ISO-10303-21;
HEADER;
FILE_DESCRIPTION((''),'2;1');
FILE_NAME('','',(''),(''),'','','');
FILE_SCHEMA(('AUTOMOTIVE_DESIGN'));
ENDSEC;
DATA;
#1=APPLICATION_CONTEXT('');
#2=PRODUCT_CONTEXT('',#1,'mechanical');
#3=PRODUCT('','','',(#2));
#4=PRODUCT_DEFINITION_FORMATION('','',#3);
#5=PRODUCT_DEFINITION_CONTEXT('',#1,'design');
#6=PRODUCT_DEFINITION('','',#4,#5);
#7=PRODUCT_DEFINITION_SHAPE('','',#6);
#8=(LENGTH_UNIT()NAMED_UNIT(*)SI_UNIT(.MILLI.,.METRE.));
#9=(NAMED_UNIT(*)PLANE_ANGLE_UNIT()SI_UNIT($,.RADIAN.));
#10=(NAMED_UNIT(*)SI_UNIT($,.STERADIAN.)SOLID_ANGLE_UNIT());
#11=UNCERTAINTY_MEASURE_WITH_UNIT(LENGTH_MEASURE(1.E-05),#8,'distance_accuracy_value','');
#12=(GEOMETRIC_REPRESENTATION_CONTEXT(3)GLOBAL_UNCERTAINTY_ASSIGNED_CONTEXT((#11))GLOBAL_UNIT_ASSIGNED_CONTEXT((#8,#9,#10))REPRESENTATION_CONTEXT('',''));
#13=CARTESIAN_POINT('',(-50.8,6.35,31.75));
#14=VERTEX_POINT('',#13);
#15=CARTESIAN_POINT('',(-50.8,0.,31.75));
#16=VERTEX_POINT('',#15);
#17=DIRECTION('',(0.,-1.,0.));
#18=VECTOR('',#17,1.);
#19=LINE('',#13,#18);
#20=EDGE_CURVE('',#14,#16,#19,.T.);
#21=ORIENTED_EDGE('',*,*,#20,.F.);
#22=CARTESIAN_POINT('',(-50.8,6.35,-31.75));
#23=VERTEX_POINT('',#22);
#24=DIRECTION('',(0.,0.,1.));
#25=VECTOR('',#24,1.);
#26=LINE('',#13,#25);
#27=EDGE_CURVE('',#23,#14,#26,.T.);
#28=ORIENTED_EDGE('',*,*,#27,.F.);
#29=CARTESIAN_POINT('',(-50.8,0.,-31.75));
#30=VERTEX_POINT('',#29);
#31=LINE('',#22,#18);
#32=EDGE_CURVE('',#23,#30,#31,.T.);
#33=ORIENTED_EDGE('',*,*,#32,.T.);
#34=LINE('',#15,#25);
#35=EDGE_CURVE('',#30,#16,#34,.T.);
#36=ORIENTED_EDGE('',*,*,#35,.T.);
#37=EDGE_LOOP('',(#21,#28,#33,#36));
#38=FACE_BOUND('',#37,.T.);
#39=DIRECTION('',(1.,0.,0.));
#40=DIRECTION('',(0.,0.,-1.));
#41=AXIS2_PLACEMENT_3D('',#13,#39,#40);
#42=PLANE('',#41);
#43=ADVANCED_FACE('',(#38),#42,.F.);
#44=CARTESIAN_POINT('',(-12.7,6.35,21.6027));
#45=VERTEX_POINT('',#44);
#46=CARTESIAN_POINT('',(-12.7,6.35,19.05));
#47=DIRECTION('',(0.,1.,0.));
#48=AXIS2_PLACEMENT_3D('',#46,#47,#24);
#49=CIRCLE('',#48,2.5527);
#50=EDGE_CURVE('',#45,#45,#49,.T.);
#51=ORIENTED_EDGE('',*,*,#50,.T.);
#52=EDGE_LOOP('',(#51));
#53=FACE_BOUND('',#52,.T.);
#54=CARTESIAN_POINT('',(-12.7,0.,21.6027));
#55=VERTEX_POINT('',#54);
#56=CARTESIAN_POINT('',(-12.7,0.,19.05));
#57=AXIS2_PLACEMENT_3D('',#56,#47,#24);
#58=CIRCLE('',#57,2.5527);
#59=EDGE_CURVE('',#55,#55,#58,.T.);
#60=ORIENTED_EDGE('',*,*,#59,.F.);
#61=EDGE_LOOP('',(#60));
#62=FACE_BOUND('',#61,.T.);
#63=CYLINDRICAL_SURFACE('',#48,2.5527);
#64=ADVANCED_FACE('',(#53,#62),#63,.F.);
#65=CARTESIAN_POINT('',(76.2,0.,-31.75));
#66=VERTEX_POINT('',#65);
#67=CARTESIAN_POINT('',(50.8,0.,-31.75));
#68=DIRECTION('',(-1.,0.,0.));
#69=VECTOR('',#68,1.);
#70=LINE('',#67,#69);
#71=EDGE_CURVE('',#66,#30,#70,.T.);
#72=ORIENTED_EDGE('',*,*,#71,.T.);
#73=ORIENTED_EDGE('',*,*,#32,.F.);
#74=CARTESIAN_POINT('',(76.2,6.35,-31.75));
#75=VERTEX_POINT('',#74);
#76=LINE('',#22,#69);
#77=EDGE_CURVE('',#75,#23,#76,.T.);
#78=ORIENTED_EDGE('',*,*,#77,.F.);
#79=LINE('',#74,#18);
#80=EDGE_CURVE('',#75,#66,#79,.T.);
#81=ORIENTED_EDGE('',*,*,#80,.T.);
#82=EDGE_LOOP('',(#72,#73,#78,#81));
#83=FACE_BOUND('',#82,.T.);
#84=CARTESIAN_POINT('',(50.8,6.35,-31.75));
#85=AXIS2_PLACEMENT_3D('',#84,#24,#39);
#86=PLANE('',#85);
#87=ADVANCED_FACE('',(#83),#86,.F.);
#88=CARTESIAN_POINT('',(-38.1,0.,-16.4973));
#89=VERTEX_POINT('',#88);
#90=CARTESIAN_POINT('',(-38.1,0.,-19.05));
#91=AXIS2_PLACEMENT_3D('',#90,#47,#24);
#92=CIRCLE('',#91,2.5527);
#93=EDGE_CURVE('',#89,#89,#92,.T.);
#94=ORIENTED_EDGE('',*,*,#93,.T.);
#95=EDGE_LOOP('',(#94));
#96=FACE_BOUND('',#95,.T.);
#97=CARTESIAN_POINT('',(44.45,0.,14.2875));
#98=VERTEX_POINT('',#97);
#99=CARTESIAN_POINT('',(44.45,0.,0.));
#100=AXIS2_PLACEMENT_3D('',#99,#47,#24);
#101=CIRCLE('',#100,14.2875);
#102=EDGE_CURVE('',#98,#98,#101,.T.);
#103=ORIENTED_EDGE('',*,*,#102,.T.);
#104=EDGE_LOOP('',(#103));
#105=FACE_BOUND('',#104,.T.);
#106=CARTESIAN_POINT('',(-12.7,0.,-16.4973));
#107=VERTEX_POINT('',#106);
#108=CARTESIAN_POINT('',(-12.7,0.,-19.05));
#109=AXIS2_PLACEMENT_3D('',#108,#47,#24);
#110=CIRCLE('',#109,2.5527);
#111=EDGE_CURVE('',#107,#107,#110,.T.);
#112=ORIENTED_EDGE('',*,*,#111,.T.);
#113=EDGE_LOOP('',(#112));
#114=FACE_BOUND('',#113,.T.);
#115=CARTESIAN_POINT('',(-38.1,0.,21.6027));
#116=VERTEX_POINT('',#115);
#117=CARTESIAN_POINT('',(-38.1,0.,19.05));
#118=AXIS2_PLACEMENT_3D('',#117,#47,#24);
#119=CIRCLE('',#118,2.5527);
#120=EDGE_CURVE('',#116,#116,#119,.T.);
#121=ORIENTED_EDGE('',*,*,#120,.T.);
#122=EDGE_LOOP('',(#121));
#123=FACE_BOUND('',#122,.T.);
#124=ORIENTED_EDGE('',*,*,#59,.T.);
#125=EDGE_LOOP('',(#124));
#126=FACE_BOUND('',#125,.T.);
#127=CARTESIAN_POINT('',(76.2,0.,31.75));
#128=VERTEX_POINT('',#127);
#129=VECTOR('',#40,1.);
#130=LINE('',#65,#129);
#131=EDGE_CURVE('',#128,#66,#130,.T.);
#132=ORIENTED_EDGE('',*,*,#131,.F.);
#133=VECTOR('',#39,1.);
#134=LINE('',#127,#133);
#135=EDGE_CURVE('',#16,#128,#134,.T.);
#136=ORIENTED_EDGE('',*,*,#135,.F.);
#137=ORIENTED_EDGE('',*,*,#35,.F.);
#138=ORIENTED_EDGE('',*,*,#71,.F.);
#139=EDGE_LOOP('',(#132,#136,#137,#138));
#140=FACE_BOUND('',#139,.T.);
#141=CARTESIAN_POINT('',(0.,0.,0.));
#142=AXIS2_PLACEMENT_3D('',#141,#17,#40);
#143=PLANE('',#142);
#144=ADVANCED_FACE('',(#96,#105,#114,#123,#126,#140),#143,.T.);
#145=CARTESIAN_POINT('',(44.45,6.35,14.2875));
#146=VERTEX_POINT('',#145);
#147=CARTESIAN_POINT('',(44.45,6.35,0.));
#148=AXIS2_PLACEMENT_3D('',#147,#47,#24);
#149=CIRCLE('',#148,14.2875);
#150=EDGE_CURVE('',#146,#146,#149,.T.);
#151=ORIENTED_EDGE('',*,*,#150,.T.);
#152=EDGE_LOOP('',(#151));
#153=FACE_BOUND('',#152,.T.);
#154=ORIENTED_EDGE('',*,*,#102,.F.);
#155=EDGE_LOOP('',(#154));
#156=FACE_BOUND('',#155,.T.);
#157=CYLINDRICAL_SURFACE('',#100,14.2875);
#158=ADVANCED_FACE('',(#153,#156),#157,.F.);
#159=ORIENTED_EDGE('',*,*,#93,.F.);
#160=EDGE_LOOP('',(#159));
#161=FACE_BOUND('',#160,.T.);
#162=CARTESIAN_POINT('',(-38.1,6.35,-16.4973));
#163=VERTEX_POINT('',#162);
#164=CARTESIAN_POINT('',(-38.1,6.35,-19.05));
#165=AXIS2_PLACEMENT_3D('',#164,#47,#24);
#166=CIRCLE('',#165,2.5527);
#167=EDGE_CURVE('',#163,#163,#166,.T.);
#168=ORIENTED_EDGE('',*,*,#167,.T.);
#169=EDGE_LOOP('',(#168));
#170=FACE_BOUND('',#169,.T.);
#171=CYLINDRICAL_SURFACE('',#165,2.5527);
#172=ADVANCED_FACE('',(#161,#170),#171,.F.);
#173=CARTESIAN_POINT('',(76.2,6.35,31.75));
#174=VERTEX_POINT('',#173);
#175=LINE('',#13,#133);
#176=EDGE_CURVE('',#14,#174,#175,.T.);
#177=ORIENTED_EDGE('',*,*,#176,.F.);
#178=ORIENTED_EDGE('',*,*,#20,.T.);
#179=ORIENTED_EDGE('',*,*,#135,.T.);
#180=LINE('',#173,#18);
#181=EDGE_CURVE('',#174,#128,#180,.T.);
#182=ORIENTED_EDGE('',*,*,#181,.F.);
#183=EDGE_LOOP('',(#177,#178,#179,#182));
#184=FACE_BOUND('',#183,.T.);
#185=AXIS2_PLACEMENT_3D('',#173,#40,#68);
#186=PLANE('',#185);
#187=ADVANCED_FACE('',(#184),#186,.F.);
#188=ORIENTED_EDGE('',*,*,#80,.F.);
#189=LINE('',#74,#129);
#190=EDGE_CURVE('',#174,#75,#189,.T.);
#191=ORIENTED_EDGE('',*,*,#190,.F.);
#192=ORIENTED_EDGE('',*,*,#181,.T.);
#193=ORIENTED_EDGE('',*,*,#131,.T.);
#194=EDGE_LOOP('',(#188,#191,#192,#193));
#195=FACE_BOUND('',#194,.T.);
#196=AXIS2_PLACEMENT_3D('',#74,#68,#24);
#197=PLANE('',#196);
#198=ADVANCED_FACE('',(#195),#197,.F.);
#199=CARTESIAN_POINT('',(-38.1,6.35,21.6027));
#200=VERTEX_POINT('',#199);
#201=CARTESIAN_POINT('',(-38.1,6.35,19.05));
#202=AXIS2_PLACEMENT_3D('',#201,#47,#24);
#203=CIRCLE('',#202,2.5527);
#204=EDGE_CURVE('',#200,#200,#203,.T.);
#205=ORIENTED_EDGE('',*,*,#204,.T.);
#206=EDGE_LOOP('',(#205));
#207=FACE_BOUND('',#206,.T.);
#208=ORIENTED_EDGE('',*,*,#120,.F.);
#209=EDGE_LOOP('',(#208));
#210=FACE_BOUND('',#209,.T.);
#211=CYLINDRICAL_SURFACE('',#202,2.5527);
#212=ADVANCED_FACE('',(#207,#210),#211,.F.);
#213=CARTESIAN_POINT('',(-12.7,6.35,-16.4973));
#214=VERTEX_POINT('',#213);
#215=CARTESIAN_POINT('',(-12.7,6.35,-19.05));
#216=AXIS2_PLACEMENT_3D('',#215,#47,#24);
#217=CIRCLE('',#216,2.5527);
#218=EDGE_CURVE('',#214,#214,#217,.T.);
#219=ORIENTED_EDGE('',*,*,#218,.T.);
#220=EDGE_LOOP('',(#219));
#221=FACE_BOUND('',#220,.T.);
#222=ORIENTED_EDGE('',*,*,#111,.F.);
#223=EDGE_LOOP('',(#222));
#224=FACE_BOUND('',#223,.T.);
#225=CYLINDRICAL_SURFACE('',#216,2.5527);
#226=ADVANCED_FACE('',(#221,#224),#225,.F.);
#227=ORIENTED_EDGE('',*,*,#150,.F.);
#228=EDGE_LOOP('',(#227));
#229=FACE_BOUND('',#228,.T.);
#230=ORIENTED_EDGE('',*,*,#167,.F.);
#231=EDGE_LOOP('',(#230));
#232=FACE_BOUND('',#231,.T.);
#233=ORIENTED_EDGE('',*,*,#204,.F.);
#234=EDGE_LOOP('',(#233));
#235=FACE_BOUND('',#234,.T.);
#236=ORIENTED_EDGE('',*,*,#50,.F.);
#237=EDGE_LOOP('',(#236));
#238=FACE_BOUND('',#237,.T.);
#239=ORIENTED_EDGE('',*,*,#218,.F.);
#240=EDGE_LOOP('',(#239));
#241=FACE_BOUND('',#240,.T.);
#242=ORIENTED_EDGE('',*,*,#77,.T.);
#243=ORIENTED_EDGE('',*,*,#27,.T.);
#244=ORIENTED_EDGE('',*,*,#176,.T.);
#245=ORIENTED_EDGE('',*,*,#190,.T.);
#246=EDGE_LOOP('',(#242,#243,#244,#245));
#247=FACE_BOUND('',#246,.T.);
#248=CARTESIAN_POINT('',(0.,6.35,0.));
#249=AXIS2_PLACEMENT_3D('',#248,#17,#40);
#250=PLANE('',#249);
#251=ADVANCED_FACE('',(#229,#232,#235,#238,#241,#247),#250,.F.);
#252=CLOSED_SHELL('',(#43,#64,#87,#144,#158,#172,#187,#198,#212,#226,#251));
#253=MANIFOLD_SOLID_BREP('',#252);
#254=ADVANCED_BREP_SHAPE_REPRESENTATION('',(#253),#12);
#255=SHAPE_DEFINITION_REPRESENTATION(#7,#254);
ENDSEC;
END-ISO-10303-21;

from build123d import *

# Parameters (mm, degrees)
BOSS_EXTRUDE1_DEPTH    = 6.35
F_10_CLEARANCE_HOLE1_D = 5.1054
SKETCH5_R              = 14.2875
CUT_EXTRUDE1_DEPTH     = 83.793870546


with BuildPart() as part:
    # Sketch1 → Boss-Extrude1 (new body)
    with BuildSketch(Plane(origin=(0, 0, 0), x_dir=(1, 0, 0), z_dir=(0, 1, 0))):
        Polygon((50.8, 31.75), (76.2, 31.75), (76.2, -31.75), (50.8, -31.75), (-50.8, -31.75), (-50.8, 31.75), align=None)
    extrude(amount=BOSS_EXTRUDE1_DEPTH)

    # #10 Clearance Hole1 (through all)
    with Locations(Plane(origin=(0, 6.35, 0), x_dir=(1, 0, 0), z_dir=(0, 1, 0))):
        with Locations((-38.1, 19.05), (-12.7, 19.05), (-12.7, -19.05), (-38.1, -19.05)):
            Hole(F_10_CLEARANCE_HOLE1_D / 2)

    # Sketch5 → Cut-Extrude1 (cut, through all)
    with BuildSketch(Plane(origin=(0, 6.35, 0), x_dir=(1, 0, 0), z_dir=(0, 1, 0))):
        with Locations(Location((44.45, 0, 0), (0, 0, 270))):
            Circle(SKETCH5_R)
    extrude(amount=-CUT_EXTRUDE1_DEPTH, mode=Mode.SUBTRACT)


solid = part.part
